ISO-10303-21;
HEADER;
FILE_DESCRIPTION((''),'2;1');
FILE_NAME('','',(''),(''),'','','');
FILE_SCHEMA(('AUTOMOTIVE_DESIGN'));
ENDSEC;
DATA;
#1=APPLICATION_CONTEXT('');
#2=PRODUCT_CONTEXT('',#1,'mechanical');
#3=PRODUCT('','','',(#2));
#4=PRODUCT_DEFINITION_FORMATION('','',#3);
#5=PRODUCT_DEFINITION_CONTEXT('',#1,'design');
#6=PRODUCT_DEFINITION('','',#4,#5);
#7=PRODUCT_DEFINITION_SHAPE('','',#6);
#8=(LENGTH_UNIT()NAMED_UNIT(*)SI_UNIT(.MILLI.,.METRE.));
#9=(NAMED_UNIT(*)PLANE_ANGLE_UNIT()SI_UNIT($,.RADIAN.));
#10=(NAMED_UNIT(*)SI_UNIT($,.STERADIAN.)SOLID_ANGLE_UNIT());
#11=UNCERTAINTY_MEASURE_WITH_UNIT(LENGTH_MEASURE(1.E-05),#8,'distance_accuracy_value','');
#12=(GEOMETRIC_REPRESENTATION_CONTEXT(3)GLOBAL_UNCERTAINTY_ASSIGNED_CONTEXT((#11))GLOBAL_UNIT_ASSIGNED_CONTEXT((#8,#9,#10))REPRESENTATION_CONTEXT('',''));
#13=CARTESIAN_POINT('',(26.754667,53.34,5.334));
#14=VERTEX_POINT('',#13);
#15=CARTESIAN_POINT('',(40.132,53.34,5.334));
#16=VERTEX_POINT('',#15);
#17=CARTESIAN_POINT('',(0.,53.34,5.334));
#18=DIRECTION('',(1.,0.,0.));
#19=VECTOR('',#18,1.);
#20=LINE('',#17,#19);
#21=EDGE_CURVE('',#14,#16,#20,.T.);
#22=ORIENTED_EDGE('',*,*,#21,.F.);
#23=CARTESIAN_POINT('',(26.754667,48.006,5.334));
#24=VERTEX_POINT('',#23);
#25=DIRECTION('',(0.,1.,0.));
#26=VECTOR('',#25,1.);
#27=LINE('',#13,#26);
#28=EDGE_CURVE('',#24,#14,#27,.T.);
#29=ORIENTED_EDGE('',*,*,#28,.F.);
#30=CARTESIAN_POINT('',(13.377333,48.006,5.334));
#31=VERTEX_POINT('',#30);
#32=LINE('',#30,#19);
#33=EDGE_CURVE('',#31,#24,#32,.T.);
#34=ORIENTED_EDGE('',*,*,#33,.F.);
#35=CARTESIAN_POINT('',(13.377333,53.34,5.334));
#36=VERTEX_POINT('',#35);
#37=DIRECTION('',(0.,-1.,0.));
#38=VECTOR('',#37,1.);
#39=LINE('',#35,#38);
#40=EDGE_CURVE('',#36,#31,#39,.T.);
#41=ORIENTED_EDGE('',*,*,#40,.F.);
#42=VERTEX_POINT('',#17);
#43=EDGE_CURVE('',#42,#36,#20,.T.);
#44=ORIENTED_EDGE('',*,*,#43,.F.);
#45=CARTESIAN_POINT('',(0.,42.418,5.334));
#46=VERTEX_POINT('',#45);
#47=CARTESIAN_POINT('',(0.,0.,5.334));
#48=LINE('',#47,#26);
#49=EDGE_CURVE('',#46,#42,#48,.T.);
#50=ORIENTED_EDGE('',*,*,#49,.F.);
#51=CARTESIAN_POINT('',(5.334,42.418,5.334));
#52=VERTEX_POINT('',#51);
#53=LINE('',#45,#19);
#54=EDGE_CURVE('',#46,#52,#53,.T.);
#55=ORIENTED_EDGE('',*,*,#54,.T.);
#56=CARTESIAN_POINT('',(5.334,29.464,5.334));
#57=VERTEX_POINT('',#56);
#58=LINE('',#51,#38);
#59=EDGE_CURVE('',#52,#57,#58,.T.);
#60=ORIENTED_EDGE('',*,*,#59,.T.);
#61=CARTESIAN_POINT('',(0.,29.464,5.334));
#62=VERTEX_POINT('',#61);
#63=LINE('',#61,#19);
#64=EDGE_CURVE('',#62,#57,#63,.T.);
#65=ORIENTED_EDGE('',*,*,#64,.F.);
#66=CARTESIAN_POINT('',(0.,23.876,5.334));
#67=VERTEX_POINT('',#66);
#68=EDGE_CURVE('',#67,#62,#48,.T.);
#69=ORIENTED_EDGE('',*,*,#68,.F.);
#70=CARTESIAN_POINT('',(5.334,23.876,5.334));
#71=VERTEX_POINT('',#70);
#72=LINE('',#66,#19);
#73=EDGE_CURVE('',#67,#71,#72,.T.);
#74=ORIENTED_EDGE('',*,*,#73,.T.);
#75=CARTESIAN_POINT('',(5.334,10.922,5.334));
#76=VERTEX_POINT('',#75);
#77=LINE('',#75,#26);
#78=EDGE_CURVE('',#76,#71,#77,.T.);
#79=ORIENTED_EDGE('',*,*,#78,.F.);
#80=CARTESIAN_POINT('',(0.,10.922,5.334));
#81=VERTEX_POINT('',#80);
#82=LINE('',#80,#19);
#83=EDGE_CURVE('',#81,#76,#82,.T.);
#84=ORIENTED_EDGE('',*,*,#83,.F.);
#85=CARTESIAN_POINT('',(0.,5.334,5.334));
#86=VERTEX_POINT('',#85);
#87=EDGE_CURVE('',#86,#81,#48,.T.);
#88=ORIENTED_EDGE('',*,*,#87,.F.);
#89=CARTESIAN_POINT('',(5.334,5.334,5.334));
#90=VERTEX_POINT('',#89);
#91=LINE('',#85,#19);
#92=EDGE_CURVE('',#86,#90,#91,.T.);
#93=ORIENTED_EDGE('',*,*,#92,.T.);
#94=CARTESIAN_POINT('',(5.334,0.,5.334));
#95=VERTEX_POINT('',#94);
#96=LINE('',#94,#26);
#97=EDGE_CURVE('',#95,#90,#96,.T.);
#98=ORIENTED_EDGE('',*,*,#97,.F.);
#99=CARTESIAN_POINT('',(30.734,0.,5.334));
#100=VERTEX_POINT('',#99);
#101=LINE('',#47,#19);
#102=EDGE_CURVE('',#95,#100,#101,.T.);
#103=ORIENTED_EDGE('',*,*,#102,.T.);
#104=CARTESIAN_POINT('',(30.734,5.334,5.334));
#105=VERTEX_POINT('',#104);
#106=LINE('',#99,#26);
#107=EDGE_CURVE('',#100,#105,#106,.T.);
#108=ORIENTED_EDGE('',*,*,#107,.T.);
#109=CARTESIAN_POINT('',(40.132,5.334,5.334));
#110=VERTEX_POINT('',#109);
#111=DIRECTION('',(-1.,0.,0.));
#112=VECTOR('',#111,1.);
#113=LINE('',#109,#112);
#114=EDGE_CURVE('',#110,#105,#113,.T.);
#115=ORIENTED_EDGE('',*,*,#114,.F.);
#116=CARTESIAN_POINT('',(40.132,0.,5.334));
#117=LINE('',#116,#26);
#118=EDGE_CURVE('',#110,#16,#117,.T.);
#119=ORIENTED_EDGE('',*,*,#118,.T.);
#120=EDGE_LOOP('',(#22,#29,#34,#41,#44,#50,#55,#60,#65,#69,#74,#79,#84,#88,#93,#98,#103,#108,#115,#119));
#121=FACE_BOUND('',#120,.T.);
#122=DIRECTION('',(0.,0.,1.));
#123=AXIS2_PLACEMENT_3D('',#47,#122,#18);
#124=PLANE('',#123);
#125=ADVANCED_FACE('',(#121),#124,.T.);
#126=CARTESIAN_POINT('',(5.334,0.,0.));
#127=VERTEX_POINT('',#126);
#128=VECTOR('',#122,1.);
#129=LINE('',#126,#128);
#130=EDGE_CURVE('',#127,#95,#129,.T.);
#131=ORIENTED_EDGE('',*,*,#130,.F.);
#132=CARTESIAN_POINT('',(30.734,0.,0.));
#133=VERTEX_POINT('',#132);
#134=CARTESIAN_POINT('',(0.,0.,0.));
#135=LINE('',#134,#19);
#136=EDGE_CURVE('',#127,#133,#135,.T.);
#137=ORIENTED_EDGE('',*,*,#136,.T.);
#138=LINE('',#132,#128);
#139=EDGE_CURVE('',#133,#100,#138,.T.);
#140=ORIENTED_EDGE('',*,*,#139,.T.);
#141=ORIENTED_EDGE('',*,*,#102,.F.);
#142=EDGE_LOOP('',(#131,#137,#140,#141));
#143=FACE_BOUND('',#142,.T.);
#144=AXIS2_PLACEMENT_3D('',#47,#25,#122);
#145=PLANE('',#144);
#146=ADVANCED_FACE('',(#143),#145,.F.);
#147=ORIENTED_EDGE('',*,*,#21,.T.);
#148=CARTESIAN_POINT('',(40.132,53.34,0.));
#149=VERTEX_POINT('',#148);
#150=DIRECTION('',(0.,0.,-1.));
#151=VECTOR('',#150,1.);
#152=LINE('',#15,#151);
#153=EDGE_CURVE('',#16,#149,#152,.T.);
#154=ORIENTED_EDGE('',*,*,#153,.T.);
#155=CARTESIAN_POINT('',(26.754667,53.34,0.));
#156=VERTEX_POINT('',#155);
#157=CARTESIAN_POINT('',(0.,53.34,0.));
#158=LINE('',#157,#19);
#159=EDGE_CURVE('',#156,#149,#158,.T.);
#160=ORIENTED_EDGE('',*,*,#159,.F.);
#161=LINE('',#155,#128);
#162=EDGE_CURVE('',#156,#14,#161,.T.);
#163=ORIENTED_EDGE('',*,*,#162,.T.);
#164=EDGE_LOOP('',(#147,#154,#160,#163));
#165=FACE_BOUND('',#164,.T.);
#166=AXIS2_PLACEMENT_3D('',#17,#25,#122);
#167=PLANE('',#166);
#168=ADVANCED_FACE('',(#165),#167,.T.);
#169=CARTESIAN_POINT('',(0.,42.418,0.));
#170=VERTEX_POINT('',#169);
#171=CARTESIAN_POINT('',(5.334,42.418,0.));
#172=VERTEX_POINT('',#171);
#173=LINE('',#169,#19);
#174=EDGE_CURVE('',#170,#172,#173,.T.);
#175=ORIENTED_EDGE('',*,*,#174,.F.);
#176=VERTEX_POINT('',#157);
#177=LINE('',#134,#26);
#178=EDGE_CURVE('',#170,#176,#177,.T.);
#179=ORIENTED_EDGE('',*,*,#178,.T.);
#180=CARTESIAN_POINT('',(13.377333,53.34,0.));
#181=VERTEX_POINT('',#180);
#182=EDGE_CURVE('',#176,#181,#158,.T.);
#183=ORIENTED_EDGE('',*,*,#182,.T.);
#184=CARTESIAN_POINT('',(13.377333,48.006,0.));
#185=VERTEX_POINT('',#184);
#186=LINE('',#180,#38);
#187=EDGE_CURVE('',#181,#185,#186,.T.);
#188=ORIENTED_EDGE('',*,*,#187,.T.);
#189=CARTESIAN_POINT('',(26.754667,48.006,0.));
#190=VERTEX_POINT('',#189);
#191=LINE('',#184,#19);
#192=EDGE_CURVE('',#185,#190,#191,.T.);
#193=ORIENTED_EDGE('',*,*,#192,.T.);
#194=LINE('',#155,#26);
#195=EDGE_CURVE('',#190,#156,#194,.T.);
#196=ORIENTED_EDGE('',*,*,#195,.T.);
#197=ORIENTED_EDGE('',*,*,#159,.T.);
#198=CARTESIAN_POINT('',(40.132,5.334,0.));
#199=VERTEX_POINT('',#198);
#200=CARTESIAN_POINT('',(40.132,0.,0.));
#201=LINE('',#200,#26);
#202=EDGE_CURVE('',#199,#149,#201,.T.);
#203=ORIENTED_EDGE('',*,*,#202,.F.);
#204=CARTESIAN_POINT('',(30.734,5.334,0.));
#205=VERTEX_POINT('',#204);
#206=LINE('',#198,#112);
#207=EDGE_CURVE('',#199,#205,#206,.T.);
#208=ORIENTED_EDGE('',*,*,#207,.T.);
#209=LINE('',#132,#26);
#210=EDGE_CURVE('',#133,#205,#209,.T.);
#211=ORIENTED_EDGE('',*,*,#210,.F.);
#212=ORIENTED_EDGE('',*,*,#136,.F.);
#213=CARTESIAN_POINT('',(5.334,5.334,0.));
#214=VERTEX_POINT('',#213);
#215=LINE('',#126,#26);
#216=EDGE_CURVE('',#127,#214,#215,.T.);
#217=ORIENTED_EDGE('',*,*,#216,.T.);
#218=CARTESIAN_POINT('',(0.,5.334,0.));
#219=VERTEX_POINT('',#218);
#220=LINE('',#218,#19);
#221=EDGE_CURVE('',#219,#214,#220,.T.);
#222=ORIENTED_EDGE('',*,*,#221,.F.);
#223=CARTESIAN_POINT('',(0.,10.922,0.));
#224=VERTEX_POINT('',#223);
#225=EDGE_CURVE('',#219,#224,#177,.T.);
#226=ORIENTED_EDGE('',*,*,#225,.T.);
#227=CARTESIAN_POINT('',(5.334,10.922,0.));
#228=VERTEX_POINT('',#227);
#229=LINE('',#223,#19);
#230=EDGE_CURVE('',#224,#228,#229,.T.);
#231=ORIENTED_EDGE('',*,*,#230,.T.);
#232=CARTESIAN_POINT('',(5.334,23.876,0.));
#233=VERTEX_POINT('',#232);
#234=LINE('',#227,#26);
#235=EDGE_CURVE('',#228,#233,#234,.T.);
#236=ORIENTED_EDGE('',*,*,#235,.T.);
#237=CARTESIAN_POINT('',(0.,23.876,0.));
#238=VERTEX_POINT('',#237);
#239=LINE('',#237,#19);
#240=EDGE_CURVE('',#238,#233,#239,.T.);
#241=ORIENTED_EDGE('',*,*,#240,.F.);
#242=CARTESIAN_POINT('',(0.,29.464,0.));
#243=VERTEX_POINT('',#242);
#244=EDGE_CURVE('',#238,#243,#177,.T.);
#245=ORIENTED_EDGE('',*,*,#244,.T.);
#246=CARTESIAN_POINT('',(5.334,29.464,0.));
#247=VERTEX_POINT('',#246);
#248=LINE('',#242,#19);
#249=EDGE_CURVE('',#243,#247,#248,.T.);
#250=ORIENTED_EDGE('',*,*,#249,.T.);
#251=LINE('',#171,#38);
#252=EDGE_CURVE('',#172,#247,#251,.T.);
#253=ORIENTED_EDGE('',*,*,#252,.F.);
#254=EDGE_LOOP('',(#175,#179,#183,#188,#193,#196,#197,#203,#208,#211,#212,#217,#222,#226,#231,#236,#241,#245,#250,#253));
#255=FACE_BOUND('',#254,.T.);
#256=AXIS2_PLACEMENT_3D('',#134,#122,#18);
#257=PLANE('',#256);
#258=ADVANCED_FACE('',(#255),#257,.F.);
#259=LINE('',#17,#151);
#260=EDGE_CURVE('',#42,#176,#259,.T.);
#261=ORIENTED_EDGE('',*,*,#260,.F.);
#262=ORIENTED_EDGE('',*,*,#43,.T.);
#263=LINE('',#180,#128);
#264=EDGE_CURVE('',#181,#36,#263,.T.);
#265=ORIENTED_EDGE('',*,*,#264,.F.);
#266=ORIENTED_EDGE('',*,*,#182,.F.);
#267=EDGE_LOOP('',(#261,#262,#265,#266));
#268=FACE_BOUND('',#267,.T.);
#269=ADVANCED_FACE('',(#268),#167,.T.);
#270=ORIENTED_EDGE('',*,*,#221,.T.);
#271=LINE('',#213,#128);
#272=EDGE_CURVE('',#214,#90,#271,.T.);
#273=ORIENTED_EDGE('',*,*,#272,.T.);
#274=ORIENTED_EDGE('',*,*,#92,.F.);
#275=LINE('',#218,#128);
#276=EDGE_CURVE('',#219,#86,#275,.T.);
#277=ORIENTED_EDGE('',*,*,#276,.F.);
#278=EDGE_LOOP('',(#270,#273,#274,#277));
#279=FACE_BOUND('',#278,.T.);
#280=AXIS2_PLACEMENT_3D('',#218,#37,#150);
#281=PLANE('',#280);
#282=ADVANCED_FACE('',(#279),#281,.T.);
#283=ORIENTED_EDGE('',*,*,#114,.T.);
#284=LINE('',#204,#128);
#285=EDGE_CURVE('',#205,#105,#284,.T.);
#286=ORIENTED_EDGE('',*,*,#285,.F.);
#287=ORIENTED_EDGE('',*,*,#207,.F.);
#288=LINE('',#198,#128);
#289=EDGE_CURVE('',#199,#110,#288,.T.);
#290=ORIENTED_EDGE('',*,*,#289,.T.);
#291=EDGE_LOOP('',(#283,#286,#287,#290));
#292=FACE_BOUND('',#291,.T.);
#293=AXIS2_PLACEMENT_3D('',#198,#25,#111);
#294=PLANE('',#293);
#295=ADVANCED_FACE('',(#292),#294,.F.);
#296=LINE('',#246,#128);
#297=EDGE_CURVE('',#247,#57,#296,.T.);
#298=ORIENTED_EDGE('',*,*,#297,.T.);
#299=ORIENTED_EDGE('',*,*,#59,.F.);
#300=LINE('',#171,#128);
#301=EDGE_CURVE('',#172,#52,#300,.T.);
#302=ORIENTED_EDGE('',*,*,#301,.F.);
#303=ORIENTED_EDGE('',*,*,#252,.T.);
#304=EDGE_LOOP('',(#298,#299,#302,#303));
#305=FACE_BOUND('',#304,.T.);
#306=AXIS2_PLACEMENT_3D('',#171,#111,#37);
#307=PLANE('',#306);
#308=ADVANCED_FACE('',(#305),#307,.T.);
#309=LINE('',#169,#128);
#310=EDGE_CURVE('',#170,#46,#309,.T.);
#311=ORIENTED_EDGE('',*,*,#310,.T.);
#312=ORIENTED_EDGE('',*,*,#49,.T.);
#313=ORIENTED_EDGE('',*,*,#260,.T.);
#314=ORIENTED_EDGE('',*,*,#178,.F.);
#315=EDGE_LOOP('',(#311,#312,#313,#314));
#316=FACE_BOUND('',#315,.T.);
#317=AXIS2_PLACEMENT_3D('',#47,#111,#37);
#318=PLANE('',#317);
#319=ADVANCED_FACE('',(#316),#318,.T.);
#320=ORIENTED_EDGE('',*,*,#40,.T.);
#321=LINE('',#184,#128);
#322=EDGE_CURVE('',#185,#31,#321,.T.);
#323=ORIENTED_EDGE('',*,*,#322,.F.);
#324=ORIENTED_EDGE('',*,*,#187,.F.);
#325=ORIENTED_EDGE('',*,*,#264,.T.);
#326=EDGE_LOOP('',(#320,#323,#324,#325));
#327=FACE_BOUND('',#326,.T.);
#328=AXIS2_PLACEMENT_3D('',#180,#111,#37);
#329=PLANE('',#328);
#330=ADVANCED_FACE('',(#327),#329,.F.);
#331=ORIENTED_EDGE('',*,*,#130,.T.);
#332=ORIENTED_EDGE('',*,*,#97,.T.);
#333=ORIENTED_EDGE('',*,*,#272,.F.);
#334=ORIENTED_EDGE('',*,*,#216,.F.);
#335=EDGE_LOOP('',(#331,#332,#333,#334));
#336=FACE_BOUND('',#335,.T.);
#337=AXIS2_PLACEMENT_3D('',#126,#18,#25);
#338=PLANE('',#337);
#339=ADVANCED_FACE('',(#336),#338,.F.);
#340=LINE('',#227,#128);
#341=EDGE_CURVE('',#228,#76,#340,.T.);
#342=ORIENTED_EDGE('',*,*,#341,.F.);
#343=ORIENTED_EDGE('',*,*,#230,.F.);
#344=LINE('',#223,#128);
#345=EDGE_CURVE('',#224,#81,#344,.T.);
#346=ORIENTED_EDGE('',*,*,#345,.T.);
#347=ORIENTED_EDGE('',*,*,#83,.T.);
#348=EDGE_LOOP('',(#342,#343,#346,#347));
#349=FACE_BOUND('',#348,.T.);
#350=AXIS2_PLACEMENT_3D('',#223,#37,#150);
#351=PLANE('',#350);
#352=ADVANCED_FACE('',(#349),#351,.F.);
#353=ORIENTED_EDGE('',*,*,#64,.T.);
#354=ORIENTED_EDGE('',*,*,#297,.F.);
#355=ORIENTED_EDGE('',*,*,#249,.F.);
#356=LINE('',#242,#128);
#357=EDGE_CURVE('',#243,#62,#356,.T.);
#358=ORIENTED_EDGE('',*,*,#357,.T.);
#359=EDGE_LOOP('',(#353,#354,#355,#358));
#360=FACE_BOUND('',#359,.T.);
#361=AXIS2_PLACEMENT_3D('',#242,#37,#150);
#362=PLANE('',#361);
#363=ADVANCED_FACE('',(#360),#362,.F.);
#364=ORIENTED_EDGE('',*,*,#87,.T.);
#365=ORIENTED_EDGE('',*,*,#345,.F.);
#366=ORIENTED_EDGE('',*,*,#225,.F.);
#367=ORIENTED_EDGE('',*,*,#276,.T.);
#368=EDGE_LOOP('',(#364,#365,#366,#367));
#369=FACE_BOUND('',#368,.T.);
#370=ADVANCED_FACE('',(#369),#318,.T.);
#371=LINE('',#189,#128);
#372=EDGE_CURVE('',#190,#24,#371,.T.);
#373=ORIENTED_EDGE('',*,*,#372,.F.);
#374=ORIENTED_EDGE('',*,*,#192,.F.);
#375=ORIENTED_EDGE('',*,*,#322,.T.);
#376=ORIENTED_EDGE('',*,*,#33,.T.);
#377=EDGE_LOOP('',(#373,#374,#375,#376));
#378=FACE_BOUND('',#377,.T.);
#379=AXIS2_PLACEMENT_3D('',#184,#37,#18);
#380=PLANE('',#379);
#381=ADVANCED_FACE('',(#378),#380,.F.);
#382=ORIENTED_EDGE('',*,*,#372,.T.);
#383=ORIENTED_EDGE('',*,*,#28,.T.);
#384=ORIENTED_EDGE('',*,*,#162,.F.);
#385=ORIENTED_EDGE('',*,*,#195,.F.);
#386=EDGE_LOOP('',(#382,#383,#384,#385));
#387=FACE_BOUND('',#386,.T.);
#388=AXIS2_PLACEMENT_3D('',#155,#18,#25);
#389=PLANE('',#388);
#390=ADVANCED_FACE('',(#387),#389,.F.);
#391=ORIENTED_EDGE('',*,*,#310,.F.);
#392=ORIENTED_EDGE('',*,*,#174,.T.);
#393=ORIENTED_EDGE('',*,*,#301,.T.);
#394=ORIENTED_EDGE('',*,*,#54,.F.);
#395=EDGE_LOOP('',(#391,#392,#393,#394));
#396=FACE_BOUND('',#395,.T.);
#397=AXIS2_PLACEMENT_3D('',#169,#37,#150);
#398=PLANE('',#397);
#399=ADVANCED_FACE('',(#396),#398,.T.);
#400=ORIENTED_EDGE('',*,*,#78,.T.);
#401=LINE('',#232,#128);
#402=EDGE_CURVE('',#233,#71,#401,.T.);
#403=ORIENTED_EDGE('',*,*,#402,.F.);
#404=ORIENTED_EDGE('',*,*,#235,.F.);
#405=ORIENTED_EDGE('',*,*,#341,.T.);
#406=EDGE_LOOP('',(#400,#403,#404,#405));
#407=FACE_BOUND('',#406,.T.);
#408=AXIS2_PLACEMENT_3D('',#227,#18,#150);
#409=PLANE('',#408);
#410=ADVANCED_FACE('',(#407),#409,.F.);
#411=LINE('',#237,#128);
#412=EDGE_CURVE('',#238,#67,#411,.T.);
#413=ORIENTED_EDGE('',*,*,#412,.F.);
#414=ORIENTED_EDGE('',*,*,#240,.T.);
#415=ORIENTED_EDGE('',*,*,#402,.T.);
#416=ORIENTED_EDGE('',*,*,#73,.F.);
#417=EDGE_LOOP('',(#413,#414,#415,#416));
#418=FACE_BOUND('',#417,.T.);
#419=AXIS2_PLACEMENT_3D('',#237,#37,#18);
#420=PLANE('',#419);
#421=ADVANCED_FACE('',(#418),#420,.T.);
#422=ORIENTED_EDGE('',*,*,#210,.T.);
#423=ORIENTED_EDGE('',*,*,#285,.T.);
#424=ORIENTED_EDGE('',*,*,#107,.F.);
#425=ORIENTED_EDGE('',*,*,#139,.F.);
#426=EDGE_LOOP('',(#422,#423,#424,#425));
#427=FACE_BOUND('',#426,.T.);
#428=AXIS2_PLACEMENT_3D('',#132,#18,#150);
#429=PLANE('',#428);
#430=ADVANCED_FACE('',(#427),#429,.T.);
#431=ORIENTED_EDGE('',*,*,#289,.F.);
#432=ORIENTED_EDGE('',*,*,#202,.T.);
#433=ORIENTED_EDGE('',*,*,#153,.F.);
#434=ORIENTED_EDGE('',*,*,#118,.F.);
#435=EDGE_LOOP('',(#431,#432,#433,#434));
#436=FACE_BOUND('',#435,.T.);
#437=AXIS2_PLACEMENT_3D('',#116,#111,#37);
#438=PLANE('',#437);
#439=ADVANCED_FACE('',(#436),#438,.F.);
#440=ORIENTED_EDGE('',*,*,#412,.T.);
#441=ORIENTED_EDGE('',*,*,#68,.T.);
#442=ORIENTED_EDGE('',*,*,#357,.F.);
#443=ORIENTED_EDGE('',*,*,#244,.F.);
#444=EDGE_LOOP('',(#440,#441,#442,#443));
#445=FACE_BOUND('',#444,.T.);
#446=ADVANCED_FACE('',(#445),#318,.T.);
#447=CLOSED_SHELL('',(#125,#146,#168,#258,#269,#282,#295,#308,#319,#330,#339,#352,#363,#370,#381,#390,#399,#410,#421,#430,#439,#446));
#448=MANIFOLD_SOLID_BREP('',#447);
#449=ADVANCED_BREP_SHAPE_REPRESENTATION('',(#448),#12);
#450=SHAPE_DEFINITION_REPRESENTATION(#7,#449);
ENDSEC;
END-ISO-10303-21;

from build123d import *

# Parameters (mm, degrees)
SKETCH1_W           = 40.132
SKETCH1_H           = 53.34
BOSS_EXTRUDE1_DEPTH = 5.334
SKETCH3_W           = 5.334
SKETCH3_H           = 5.334
SKETCH3_W_2         = 9.398
CUT_EXTRUDE1_DEPTH  = 6.334
SKETCH4_W           = 5.334
SKETCH4_H           = 12.954
CUT_EXTRUDE2_DEPTH  = 6.334
SKETCH5_W           = 13.377333334
SKETCH5_H           = 5.334
CUT_EXTRUDE3_DEPTH  = 6.334


with BuildPart() as part:
    # Sketch1 → Boss-Extrude1 (new body)
    with BuildSketch(Plane.XY):
        with Locations((20.066, 26.67)):
            Rectangle(SKETCH1_W, SKETCH1_H)
    extrude(amount=BOSS_EXTRUDE1_DEPTH)

    # Sketch3 → Cut-Extrude1 (cut, through all)
    with BuildSketch(Plane.XY.offset(5.334)):
        with Locations((2.667, 2.667)):
            Rectangle(SKETCH3_W, SKETCH3_H)
        with Locations((35.433, 2.667)):
            Rectangle(SKETCH3_W_2, SKETCH3_H)
    extrude(amount=-CUT_EXTRUDE1_DEPTH, mode=Mode.SUBTRACT)

    # Sketch4 → Cut-Extrude2 (cut, through all)
    with BuildSketch(Plane.XY.offset(5.334)):
        with Locations((2.667, 35.941)):
            Rectangle(SKETCH4_W, SKETCH4_H)
        with Locations((2.667, 17.399)):
            Rectangle(SKETCH4_W, SKETCH4_H)
    extrude(amount=-CUT_EXTRUDE2_DEPTH, mode=Mode.SUBTRACT)

    # Sketch5 → Cut-Extrude3 (cut, through all)
    with BuildSketch(Plane.XY.offset(5.334)):
        with Locations((20.066, 50.673)):
            Rectangle(SKETCH5_W, SKETCH5_H)
    extrude(amount=-CUT_EXTRUDE3_DEPTH, mode=Mode.SUBTRACT)


solid = part.part
